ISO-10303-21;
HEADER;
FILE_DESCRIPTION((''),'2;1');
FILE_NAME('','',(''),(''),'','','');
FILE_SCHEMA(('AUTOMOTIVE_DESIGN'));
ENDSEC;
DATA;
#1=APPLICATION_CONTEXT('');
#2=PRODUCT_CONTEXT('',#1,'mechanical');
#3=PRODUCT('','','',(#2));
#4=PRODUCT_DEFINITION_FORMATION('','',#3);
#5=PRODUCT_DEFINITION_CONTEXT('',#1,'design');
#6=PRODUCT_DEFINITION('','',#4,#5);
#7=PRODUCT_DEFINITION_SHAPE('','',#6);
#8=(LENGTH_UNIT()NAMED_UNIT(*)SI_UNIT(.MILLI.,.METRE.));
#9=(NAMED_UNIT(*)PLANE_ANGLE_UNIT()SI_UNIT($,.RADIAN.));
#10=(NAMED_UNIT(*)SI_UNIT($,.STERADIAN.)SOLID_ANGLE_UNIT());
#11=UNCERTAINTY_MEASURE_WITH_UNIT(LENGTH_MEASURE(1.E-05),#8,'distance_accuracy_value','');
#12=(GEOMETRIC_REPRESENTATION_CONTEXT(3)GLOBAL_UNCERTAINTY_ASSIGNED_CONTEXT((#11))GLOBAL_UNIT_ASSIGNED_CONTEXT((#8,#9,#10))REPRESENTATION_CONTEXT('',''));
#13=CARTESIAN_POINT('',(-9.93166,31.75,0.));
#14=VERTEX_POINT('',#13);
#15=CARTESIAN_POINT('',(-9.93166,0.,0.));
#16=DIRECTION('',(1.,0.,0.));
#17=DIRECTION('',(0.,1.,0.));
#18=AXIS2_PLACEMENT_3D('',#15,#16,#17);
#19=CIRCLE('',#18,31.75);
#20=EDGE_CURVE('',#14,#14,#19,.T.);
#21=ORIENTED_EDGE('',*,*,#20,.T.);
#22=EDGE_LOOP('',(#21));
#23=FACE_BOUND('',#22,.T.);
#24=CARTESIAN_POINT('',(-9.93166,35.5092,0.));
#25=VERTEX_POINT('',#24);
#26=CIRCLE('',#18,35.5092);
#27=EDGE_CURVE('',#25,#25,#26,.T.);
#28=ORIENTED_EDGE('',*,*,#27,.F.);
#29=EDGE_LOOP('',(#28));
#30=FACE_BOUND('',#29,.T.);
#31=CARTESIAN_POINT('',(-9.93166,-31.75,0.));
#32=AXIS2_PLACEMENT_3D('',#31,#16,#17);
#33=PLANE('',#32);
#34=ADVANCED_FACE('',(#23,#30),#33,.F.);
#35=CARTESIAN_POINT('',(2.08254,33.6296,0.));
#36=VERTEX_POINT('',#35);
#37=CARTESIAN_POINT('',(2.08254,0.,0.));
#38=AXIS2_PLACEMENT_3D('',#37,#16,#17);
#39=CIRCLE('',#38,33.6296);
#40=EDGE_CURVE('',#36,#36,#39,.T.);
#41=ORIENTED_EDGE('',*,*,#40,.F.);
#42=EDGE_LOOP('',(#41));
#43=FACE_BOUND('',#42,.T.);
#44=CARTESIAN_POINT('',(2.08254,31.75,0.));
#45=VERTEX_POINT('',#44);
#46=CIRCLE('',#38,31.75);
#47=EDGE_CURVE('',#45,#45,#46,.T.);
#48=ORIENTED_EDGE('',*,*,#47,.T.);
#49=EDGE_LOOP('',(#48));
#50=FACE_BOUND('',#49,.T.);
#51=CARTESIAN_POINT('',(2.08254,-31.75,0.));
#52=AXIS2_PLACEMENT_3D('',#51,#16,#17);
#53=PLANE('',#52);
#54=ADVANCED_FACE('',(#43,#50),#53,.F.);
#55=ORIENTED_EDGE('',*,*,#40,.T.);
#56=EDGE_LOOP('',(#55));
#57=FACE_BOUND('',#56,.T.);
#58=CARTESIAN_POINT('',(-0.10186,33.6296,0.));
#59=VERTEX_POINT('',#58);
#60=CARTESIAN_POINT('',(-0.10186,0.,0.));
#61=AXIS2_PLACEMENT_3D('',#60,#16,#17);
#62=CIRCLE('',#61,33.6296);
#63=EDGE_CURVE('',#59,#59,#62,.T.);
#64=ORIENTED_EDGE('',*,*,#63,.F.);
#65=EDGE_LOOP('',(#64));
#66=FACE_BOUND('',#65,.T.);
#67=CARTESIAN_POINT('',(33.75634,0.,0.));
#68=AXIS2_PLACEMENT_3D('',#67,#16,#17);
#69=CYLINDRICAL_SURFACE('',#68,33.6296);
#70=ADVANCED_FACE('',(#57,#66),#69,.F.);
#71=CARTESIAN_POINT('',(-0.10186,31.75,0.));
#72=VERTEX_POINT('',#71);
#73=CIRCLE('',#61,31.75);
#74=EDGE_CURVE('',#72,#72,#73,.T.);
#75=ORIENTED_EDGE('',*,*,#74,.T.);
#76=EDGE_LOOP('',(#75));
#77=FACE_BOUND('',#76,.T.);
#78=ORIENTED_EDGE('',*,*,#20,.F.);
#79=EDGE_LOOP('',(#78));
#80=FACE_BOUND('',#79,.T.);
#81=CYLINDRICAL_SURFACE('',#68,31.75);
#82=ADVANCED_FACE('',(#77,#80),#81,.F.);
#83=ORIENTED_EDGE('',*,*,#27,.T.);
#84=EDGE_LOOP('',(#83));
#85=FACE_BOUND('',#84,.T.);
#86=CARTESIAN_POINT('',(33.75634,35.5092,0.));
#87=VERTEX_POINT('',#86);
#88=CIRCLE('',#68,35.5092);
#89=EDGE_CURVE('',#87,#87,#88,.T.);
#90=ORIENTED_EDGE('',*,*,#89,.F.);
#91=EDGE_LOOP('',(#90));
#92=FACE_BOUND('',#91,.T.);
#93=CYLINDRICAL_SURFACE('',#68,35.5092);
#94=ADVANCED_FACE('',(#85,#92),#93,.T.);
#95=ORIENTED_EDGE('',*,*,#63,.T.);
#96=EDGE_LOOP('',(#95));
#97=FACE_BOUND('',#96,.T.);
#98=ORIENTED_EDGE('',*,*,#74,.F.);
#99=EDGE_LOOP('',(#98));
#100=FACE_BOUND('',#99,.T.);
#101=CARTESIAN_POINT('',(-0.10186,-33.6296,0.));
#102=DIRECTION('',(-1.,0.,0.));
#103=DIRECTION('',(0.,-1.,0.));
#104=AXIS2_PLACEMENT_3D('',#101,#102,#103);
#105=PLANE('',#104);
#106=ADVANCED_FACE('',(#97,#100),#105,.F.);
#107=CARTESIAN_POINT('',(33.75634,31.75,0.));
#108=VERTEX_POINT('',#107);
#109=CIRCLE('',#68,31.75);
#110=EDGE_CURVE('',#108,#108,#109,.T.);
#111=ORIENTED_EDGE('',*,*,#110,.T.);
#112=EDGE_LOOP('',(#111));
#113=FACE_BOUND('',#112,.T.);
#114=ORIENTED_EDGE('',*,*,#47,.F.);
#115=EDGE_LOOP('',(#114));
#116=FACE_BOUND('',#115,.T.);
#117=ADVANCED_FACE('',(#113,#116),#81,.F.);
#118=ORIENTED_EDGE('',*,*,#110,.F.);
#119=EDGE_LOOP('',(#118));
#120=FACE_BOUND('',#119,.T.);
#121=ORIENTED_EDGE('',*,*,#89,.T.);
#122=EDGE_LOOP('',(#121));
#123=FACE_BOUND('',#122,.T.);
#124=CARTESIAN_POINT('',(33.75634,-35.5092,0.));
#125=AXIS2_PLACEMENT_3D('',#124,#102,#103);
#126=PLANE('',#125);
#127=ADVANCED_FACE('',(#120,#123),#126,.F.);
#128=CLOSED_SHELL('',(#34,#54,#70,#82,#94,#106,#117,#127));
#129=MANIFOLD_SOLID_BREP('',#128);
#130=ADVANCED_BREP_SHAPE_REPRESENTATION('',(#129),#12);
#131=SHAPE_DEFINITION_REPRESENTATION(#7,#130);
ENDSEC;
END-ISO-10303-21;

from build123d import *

# Parameters (mm, degrees)
SWEEP1_PITCH       = 0.704426667
SWEEP1_HEIGHT      = 1.3208
SWEEP1_RADIUS      = 28.5496
SWEEP1_START_ANGLE = 180
SKETCH3_W          = 0.6604
SKETCH3_H          = 5.08
CUT_EXTRUDE4_DEPTH = 0.682414
CUT_EXTRUDE3_DEPTH = 0.682398


with BuildPart() as part:
    # Sweep1: sweep along a helix
    with BuildLine() as sweep1_path:
        add(Helix(SWEEP1_PITCH, SWEEP1_HEIGHT, SWEEP1_RADIUS, center=(0, 0, 0), direction=(1, 0, 0), mode=Mode.PRIVATE).rotate(Axis((0, 0, 0), (1, 0, 0)), SWEEP1_START_ANGLE))
    # Sketch3 → Sweep1 (sweep)
    with BuildSketch(Plane(origin=(0, 0, 0), x_dir=(1, 0, 0), z_dir=(0, 1, 0))):
        with Locations((0.3302, 31.0896)):
            Rectangle(SKETCH3_W, SKETCH3_H)
    sweep(path=sweep1_path.line, is_frenet=True)

    # Sketch8 → Cut-Extrude4 (cut)
    with BuildSketch(Plane(origin=(0, 0, 0), x_dir=(0, 0, -1), z_dir=(1, 0, 0))):
        with BuildLine():
            Line((30.242933333, 0), (33.6296, 0))
            ThreePointArc((33.6296, 0), (33.118690811, 5.839718756), (31.60148696, 11.502000612))
            ThreePointArc((31.60148696, 11.502000612), (30.583748126, 5.790977595), (30.242933333, 0))
        make_face()
    extrude(amount=CUT_EXTRUDE4_DEPTH, mode=Mode.SUBTRACT)

    # Sketch7 → Cut-Extrude3 (cut)
    with BuildSketch(Plane(origin=(1.980679935, 0, 0), x_dir=(0, 0, -1), z_dir=(1, 0, 0))):
        with BuildLine():
            Line((21.384984059, -21.384982427), (23.779719052, -23.779717365))
            ThreePointArc((23.779719052, -23.779717365), (19.289146911, -27.547755038), (14.212483755, -30.478768047))
            ThreePointArc((14.212483755, -30.478768047), (17.531136878, -25.720814646), (21.384984059, -21.384982427))
        make_face()
    extrude(amount=-CUT_EXTRUDE3_DEPTH, mode=Mode.SUBTRACT)


with BuildPart() as body_2:
    # Sketch2 → Revolve1 (revolve)
    with BuildSketch(Plane.XY):
        Polygon((-9.931660032, -31.75), (-9.931660032, -35.5092), (33.756339968, -35.5092), (33.756339968, -31.75), (2.082539968, -31.75), (2.082539968, -33.6296), (-0.101860032, -33.6296), (-0.101860032, -31.75), align=None)
    revolve(axis=Axis((33.756339968, 0, 0), (-1, 0, 0)))


solid = body_2.part
